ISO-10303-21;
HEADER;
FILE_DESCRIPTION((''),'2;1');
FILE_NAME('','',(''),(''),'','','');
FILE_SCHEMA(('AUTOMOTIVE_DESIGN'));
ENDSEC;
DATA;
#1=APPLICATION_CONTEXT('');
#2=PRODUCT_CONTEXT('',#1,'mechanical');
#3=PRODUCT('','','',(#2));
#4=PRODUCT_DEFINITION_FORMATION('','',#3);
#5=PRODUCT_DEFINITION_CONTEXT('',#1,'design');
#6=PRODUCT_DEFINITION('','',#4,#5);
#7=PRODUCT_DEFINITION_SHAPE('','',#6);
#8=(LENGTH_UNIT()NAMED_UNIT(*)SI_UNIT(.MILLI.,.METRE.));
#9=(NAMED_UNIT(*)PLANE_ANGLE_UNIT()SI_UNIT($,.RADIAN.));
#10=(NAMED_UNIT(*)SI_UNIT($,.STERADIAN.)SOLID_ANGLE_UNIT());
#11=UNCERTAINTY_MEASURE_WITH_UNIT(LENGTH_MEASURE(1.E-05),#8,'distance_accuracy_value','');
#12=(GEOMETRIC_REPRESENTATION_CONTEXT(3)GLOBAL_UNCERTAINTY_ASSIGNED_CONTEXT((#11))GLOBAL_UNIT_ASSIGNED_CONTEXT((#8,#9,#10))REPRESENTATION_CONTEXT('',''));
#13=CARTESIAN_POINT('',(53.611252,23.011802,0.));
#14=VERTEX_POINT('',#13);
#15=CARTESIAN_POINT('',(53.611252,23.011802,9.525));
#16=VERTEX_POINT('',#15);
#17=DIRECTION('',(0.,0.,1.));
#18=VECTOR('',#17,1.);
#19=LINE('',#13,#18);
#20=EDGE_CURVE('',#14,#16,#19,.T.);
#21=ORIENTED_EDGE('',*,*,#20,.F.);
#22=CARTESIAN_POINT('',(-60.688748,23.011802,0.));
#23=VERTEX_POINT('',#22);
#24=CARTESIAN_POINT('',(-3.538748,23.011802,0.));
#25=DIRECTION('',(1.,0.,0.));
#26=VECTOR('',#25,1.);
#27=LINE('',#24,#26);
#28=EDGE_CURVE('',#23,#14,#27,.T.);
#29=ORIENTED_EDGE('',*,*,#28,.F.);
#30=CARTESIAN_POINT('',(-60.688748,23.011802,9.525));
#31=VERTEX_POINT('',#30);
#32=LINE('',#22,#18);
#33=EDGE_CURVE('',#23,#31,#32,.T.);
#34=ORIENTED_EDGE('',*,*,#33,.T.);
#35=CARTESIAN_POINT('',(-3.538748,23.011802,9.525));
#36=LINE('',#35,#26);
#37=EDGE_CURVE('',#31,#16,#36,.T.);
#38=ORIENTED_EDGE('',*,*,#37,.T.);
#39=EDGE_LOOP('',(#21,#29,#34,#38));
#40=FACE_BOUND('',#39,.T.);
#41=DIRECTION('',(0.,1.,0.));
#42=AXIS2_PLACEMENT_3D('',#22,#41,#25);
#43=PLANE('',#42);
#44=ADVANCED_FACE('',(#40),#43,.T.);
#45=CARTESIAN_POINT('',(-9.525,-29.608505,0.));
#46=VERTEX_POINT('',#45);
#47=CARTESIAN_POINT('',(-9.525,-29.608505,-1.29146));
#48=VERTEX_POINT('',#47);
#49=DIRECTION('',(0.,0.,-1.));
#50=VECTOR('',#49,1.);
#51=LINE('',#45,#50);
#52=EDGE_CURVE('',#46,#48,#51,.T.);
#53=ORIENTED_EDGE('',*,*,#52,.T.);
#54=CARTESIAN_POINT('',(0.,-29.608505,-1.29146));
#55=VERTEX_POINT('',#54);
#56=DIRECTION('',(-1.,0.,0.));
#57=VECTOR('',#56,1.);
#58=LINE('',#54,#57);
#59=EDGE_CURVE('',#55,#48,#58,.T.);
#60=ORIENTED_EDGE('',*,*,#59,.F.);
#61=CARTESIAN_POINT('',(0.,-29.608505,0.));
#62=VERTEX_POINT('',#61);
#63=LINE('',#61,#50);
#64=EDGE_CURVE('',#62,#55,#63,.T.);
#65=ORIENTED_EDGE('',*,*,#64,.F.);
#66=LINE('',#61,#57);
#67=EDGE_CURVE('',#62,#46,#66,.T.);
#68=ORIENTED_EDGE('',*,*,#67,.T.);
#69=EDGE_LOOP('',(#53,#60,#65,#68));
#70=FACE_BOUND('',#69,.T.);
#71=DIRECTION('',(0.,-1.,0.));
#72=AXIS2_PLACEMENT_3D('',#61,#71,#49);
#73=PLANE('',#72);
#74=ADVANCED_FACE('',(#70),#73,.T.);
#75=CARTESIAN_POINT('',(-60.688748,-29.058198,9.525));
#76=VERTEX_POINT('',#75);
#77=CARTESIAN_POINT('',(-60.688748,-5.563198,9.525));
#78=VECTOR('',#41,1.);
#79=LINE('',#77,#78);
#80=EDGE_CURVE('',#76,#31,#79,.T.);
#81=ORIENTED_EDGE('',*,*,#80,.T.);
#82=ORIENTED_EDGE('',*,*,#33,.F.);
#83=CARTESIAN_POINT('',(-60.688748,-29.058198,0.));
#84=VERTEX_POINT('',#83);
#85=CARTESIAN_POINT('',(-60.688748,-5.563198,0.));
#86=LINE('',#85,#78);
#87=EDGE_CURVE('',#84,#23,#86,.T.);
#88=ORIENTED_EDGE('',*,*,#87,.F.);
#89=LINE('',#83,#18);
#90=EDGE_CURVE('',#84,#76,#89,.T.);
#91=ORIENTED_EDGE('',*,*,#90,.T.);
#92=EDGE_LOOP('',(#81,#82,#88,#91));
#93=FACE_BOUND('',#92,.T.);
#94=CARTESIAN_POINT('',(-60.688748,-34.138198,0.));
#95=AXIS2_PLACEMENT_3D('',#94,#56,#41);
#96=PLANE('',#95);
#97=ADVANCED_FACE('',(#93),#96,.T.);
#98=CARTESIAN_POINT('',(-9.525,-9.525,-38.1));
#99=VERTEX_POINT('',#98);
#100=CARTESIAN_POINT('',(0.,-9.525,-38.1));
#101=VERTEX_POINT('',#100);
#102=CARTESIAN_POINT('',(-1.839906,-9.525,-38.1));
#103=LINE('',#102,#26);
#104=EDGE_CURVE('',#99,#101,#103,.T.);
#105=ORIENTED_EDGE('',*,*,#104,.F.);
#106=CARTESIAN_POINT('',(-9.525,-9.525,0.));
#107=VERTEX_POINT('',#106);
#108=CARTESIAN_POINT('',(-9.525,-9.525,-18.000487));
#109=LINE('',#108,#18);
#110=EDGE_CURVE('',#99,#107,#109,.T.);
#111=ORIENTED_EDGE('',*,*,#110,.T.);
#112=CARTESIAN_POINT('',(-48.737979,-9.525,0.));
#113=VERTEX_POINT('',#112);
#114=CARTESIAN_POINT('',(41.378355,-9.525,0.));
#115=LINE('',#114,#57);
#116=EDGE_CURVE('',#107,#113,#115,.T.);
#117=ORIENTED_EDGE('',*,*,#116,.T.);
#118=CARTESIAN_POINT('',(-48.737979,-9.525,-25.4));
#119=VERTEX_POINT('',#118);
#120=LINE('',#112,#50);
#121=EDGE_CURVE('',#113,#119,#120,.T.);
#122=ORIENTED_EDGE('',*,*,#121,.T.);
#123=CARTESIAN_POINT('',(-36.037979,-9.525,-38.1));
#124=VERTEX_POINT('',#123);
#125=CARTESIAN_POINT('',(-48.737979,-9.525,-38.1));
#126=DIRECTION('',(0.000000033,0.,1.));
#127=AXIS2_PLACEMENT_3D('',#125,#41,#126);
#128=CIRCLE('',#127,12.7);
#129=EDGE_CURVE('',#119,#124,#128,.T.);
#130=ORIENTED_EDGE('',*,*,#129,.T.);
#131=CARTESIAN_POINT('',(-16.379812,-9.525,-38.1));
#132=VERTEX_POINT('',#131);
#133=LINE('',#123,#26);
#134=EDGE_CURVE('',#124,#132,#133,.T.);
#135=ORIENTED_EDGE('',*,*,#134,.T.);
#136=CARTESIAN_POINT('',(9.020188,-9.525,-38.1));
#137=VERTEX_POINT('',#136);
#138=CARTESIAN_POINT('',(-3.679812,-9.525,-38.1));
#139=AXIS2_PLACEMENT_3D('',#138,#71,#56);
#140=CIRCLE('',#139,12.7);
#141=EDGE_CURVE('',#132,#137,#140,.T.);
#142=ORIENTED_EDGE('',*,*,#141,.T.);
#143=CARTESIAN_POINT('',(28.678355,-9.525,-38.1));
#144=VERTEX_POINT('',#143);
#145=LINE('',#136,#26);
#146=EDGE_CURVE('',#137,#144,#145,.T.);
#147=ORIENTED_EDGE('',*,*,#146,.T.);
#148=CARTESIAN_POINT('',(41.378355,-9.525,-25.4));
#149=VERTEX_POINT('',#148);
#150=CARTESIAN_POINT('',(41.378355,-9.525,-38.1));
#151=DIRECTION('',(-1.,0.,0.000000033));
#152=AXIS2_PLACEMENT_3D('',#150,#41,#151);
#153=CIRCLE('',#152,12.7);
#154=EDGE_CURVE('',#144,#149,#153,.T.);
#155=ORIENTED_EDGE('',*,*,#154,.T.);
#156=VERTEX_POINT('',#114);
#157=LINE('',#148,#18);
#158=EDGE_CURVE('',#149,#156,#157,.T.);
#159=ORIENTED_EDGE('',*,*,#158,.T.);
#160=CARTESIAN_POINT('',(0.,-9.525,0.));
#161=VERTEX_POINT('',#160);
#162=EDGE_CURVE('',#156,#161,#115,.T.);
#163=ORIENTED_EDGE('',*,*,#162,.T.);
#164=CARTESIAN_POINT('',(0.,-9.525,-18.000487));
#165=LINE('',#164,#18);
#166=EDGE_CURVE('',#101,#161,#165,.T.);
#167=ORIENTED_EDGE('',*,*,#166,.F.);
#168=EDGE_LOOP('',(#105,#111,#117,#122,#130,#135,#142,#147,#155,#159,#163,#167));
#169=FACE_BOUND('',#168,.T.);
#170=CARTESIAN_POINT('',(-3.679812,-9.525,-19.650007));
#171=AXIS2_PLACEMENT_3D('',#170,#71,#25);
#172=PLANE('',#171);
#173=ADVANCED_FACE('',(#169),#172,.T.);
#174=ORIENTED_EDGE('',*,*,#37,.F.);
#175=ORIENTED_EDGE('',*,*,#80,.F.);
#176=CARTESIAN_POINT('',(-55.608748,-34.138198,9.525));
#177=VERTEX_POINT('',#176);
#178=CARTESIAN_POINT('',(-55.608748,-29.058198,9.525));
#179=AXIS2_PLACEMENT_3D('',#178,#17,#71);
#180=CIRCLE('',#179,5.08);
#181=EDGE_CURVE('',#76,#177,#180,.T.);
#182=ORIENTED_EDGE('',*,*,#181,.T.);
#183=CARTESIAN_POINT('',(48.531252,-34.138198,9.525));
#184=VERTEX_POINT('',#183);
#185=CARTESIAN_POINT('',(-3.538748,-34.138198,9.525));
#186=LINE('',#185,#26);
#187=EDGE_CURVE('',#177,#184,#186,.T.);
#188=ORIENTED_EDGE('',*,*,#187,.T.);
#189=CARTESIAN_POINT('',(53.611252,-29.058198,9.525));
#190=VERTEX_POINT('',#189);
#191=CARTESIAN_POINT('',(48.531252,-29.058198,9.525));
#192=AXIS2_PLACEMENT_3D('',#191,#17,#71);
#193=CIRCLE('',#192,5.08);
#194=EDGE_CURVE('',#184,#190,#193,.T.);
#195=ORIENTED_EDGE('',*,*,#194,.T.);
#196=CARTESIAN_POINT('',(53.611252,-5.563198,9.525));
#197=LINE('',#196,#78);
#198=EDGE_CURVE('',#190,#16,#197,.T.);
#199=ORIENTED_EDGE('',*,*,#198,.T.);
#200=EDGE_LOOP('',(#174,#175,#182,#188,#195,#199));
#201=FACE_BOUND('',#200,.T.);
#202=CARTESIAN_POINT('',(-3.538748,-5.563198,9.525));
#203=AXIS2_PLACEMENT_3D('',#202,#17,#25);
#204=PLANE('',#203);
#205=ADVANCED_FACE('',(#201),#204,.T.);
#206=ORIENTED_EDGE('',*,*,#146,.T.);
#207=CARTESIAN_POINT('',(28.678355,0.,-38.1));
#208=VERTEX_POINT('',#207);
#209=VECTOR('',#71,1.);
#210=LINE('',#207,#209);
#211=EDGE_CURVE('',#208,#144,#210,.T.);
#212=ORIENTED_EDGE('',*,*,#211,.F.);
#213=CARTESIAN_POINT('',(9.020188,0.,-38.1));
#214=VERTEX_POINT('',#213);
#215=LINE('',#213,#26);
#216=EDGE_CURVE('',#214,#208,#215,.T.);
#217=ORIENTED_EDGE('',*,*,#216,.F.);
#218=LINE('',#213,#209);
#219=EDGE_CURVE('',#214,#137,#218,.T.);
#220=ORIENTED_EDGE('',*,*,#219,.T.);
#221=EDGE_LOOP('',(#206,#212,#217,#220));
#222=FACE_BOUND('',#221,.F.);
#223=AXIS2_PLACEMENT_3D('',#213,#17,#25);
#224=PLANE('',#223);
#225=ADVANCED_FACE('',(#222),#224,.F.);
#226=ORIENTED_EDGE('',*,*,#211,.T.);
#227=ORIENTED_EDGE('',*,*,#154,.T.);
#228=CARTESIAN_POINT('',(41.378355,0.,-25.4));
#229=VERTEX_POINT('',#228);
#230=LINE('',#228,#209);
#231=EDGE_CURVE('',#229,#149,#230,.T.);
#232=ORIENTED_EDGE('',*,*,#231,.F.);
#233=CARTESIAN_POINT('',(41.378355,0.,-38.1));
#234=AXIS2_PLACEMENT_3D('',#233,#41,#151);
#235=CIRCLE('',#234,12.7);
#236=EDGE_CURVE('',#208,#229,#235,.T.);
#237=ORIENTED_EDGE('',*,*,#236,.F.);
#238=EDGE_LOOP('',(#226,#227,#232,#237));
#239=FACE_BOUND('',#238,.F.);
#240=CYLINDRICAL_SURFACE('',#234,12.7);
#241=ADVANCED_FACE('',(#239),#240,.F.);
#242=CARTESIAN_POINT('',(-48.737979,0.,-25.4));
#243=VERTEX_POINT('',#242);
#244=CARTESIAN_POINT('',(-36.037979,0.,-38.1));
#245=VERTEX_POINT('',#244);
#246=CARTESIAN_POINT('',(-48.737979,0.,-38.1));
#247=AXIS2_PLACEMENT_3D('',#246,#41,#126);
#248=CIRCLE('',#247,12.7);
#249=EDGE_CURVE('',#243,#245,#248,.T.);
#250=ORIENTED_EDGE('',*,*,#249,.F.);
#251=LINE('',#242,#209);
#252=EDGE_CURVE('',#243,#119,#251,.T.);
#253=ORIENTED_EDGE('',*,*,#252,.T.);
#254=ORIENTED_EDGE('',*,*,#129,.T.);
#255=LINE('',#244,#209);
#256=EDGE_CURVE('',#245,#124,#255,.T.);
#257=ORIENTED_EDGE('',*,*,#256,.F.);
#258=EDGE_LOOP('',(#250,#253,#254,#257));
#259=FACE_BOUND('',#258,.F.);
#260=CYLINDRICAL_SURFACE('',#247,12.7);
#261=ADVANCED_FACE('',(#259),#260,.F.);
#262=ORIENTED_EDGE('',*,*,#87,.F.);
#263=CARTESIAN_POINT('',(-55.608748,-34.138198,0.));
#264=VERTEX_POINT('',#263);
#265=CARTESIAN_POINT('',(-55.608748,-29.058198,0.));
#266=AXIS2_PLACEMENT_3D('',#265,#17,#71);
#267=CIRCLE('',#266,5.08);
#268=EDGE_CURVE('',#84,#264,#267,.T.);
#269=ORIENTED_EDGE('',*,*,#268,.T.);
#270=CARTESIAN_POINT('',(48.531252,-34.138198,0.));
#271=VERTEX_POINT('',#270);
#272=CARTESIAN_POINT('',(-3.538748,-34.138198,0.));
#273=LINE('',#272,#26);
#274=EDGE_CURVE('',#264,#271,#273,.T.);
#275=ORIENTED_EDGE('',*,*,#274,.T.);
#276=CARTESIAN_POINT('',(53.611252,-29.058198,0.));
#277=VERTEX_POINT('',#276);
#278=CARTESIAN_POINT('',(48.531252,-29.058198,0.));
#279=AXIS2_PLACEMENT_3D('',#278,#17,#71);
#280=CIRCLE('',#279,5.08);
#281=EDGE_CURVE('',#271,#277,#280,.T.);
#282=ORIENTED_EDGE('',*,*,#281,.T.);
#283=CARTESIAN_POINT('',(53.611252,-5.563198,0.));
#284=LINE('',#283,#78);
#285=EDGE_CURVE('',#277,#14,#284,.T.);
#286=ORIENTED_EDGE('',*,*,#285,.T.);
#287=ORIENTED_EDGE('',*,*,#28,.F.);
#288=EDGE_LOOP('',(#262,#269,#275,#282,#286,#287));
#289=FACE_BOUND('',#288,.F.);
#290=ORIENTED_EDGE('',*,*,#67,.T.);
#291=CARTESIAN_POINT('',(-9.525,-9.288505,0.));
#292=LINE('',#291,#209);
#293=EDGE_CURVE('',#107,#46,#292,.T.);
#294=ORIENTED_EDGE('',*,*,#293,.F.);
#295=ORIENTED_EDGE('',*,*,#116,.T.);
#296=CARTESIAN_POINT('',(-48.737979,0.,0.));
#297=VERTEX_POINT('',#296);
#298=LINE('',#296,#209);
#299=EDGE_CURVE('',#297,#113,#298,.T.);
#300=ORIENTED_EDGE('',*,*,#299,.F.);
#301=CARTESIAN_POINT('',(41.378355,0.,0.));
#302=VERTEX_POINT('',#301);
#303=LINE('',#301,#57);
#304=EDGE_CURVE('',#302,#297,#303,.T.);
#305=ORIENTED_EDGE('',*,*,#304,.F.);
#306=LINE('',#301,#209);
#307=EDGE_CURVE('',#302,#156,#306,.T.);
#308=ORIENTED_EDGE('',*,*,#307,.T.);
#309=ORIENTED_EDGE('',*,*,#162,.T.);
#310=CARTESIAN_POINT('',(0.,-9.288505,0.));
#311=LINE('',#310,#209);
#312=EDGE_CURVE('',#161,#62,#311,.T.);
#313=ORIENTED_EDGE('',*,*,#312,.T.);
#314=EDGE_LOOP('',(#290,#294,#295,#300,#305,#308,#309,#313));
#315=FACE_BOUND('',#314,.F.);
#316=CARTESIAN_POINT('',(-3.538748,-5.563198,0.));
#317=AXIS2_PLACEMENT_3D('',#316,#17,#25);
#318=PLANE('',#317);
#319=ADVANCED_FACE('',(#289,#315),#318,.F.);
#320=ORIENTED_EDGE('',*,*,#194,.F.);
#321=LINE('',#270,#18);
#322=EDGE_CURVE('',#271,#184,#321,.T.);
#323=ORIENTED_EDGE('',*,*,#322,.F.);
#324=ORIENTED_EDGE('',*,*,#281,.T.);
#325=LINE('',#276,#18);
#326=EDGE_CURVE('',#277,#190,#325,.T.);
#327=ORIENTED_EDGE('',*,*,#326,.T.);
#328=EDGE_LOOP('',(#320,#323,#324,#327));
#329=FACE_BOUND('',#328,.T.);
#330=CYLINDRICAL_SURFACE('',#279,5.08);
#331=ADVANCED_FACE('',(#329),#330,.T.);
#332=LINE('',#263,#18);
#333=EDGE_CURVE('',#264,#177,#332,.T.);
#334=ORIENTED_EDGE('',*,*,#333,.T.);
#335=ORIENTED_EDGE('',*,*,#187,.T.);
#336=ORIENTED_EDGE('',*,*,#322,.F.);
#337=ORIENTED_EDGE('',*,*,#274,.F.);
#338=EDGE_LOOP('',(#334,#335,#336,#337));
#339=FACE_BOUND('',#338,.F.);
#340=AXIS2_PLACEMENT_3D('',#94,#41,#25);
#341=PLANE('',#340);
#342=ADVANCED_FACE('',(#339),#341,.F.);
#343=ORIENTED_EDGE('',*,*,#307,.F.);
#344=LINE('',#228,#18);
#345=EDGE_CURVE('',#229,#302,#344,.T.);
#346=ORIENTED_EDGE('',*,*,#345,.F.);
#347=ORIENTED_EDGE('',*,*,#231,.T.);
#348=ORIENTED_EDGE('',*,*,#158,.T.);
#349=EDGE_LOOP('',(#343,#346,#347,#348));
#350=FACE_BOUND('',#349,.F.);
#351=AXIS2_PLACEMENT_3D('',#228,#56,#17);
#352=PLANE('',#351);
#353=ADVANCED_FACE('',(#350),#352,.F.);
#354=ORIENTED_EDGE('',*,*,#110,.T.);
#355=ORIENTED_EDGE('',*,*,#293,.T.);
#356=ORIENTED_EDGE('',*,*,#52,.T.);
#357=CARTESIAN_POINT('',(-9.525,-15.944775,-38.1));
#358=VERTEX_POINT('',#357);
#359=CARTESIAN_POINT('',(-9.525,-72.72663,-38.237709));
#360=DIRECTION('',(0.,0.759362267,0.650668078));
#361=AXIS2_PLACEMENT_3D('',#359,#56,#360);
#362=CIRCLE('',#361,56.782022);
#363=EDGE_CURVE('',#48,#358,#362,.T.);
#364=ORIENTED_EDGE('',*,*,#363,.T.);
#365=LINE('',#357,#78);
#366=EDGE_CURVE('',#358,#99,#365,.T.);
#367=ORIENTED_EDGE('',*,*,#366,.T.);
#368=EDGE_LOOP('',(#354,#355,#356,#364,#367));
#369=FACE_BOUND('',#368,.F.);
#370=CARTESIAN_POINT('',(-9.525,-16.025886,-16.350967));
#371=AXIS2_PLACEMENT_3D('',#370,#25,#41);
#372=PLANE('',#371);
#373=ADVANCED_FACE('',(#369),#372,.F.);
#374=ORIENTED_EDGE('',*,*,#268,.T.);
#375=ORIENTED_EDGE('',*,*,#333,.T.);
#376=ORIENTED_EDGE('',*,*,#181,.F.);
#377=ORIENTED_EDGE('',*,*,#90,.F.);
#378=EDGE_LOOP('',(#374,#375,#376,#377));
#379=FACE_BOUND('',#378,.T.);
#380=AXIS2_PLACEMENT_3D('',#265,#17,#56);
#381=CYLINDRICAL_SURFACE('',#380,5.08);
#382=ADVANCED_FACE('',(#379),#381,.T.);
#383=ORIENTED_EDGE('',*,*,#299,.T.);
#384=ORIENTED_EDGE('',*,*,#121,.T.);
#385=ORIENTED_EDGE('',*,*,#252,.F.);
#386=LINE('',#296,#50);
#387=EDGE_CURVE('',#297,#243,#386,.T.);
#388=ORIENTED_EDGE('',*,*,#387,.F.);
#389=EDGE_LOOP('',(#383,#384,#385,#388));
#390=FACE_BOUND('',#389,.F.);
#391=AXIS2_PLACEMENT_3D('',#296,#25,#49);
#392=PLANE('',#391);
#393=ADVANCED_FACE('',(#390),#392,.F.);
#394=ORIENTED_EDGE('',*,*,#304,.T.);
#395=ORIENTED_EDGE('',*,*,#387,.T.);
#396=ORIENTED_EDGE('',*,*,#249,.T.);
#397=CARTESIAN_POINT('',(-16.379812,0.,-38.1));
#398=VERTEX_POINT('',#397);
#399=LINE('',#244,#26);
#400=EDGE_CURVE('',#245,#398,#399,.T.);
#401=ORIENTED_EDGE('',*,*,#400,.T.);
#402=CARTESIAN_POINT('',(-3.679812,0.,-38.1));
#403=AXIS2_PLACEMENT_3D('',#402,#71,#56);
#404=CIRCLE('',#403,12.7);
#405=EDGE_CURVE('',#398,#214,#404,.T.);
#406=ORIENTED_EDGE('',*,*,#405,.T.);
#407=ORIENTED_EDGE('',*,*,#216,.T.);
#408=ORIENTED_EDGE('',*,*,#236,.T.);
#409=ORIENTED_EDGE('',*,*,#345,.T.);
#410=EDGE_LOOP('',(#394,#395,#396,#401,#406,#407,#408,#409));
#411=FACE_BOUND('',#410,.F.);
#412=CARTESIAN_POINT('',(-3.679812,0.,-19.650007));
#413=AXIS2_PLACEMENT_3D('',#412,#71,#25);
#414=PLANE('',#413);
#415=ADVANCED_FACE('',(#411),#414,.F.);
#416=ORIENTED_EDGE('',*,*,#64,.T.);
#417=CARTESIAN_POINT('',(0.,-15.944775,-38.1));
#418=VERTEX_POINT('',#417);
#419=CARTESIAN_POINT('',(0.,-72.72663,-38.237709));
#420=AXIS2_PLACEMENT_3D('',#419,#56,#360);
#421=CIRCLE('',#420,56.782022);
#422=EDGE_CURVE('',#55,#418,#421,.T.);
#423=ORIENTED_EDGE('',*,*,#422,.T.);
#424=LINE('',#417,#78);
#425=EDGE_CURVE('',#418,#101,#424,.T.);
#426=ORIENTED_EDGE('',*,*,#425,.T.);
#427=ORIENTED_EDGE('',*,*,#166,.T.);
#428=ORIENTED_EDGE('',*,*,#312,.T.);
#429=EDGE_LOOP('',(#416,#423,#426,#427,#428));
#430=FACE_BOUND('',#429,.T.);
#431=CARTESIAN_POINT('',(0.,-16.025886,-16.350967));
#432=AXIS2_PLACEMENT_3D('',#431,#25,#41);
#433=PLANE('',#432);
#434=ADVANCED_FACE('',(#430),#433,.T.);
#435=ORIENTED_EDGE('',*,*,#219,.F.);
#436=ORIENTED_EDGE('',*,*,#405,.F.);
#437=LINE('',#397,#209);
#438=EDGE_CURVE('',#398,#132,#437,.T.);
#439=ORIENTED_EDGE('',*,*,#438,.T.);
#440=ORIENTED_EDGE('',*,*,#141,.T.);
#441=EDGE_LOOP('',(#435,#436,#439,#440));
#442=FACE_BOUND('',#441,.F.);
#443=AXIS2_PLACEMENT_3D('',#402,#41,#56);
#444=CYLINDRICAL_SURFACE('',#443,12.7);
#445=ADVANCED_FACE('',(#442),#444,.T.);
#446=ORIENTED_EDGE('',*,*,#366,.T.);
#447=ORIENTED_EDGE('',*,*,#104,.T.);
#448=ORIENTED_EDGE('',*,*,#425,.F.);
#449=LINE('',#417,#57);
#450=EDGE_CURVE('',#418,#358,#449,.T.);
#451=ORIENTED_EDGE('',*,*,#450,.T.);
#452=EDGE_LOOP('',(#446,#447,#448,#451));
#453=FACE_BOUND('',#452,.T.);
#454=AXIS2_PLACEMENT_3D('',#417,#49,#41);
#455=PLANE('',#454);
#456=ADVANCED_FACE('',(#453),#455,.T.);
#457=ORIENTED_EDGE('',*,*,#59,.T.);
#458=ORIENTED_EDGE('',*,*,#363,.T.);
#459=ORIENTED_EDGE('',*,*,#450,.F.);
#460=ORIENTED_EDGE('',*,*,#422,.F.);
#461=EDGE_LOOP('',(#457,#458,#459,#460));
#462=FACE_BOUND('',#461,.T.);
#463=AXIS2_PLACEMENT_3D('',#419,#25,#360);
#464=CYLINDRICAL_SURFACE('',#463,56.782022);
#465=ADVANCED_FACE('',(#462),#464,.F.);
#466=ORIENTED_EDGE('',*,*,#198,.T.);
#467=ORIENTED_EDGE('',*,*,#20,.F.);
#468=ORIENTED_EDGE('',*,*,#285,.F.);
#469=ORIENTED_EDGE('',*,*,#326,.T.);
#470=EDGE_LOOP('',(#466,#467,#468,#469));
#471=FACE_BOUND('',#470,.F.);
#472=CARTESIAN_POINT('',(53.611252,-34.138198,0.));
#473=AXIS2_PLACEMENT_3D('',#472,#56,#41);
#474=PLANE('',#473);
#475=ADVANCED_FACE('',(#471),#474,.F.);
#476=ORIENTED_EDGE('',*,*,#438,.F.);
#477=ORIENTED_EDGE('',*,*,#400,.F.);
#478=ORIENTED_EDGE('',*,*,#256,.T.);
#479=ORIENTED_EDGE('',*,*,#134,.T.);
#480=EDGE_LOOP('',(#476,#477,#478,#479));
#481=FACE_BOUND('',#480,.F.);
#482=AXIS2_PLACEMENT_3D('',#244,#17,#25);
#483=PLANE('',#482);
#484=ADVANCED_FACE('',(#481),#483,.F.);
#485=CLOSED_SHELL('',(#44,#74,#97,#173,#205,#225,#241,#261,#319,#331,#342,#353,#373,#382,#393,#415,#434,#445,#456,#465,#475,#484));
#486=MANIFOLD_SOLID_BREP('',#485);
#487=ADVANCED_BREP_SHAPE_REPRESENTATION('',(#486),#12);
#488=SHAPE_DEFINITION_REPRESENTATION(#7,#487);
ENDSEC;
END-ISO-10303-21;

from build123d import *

# Parameters (mm, degrees)
F0_W     = 114.3
F0_H     = 57.15
F1_DEPTH = 9.525
F2_R     = 5.08
F4_DEPTH = 9.525
F6_DEPTH = 9.525


with BuildPart() as f1:
    # F0 (on Top) → F1 (new body)
    with BuildSketch(Plane.XY):
        with Locations((-3.538748, -5.563198)):
            Rectangle(F0_W, F0_H)
    extrude(amount=F1_DEPTH)

    # F2
    f2_edges = [f1.edges().sort_by_distance(p)[0] for p in [
        (-60.688748, -34.138198, 4.7625),
        (53.611252, -34.138198, 4.7625),
    ]]
    fillet(f2_edges, radius=F2_R)

    # F3 (on Front) → F4 (join)
    with BuildSketch(Plane.XZ):
        with BuildLine():
            Line((41.378355, 0), (-48.737979, 0))
            Line((-48.737979, 0), (-48.737979, -25.4))
            ThreePointArc((-48.737979, -25.4), (-39.757723, -29.119744), (-36.037979, -38.1))
            Line((-36.037979, -38.1), (-16.379812, -38.1))
            ThreePointArc((-16.379812, -38.1), (-3.679812, -50.8), (9.020188, -38.1))
            Line((9.020188, -38.1), (28.678355, -38.1))
            ThreePointArc((28.678355, -38.1), (32.398099, -29.119744), (41.378355, -25.4))
            Line((41.378355, -25.4), (41.378355, 0))
        make_face()
    extrude(amount=F4_DEPTH)

    # F5 (on Right) → F6 (join)
    with BuildSketch(Plane.YZ):
        with BuildLine():
            Line((-9.288505, -38.1), (-9.288505, 0))
            Line((-9.288505, 0), (-29.608505, 0))
            Line((-29.608505, 0), (-29.608505, -1.29146))
            ThreePointArc((-29.608505, -1.29146), (-19.493946, -18.477158), (-15.944775, -38.1))
            Line((-15.944775, -38.1), (-9.288505, -38.1))
        make_face()
    extrude(amount=-F6_DEPTH)


solid = f1.part
